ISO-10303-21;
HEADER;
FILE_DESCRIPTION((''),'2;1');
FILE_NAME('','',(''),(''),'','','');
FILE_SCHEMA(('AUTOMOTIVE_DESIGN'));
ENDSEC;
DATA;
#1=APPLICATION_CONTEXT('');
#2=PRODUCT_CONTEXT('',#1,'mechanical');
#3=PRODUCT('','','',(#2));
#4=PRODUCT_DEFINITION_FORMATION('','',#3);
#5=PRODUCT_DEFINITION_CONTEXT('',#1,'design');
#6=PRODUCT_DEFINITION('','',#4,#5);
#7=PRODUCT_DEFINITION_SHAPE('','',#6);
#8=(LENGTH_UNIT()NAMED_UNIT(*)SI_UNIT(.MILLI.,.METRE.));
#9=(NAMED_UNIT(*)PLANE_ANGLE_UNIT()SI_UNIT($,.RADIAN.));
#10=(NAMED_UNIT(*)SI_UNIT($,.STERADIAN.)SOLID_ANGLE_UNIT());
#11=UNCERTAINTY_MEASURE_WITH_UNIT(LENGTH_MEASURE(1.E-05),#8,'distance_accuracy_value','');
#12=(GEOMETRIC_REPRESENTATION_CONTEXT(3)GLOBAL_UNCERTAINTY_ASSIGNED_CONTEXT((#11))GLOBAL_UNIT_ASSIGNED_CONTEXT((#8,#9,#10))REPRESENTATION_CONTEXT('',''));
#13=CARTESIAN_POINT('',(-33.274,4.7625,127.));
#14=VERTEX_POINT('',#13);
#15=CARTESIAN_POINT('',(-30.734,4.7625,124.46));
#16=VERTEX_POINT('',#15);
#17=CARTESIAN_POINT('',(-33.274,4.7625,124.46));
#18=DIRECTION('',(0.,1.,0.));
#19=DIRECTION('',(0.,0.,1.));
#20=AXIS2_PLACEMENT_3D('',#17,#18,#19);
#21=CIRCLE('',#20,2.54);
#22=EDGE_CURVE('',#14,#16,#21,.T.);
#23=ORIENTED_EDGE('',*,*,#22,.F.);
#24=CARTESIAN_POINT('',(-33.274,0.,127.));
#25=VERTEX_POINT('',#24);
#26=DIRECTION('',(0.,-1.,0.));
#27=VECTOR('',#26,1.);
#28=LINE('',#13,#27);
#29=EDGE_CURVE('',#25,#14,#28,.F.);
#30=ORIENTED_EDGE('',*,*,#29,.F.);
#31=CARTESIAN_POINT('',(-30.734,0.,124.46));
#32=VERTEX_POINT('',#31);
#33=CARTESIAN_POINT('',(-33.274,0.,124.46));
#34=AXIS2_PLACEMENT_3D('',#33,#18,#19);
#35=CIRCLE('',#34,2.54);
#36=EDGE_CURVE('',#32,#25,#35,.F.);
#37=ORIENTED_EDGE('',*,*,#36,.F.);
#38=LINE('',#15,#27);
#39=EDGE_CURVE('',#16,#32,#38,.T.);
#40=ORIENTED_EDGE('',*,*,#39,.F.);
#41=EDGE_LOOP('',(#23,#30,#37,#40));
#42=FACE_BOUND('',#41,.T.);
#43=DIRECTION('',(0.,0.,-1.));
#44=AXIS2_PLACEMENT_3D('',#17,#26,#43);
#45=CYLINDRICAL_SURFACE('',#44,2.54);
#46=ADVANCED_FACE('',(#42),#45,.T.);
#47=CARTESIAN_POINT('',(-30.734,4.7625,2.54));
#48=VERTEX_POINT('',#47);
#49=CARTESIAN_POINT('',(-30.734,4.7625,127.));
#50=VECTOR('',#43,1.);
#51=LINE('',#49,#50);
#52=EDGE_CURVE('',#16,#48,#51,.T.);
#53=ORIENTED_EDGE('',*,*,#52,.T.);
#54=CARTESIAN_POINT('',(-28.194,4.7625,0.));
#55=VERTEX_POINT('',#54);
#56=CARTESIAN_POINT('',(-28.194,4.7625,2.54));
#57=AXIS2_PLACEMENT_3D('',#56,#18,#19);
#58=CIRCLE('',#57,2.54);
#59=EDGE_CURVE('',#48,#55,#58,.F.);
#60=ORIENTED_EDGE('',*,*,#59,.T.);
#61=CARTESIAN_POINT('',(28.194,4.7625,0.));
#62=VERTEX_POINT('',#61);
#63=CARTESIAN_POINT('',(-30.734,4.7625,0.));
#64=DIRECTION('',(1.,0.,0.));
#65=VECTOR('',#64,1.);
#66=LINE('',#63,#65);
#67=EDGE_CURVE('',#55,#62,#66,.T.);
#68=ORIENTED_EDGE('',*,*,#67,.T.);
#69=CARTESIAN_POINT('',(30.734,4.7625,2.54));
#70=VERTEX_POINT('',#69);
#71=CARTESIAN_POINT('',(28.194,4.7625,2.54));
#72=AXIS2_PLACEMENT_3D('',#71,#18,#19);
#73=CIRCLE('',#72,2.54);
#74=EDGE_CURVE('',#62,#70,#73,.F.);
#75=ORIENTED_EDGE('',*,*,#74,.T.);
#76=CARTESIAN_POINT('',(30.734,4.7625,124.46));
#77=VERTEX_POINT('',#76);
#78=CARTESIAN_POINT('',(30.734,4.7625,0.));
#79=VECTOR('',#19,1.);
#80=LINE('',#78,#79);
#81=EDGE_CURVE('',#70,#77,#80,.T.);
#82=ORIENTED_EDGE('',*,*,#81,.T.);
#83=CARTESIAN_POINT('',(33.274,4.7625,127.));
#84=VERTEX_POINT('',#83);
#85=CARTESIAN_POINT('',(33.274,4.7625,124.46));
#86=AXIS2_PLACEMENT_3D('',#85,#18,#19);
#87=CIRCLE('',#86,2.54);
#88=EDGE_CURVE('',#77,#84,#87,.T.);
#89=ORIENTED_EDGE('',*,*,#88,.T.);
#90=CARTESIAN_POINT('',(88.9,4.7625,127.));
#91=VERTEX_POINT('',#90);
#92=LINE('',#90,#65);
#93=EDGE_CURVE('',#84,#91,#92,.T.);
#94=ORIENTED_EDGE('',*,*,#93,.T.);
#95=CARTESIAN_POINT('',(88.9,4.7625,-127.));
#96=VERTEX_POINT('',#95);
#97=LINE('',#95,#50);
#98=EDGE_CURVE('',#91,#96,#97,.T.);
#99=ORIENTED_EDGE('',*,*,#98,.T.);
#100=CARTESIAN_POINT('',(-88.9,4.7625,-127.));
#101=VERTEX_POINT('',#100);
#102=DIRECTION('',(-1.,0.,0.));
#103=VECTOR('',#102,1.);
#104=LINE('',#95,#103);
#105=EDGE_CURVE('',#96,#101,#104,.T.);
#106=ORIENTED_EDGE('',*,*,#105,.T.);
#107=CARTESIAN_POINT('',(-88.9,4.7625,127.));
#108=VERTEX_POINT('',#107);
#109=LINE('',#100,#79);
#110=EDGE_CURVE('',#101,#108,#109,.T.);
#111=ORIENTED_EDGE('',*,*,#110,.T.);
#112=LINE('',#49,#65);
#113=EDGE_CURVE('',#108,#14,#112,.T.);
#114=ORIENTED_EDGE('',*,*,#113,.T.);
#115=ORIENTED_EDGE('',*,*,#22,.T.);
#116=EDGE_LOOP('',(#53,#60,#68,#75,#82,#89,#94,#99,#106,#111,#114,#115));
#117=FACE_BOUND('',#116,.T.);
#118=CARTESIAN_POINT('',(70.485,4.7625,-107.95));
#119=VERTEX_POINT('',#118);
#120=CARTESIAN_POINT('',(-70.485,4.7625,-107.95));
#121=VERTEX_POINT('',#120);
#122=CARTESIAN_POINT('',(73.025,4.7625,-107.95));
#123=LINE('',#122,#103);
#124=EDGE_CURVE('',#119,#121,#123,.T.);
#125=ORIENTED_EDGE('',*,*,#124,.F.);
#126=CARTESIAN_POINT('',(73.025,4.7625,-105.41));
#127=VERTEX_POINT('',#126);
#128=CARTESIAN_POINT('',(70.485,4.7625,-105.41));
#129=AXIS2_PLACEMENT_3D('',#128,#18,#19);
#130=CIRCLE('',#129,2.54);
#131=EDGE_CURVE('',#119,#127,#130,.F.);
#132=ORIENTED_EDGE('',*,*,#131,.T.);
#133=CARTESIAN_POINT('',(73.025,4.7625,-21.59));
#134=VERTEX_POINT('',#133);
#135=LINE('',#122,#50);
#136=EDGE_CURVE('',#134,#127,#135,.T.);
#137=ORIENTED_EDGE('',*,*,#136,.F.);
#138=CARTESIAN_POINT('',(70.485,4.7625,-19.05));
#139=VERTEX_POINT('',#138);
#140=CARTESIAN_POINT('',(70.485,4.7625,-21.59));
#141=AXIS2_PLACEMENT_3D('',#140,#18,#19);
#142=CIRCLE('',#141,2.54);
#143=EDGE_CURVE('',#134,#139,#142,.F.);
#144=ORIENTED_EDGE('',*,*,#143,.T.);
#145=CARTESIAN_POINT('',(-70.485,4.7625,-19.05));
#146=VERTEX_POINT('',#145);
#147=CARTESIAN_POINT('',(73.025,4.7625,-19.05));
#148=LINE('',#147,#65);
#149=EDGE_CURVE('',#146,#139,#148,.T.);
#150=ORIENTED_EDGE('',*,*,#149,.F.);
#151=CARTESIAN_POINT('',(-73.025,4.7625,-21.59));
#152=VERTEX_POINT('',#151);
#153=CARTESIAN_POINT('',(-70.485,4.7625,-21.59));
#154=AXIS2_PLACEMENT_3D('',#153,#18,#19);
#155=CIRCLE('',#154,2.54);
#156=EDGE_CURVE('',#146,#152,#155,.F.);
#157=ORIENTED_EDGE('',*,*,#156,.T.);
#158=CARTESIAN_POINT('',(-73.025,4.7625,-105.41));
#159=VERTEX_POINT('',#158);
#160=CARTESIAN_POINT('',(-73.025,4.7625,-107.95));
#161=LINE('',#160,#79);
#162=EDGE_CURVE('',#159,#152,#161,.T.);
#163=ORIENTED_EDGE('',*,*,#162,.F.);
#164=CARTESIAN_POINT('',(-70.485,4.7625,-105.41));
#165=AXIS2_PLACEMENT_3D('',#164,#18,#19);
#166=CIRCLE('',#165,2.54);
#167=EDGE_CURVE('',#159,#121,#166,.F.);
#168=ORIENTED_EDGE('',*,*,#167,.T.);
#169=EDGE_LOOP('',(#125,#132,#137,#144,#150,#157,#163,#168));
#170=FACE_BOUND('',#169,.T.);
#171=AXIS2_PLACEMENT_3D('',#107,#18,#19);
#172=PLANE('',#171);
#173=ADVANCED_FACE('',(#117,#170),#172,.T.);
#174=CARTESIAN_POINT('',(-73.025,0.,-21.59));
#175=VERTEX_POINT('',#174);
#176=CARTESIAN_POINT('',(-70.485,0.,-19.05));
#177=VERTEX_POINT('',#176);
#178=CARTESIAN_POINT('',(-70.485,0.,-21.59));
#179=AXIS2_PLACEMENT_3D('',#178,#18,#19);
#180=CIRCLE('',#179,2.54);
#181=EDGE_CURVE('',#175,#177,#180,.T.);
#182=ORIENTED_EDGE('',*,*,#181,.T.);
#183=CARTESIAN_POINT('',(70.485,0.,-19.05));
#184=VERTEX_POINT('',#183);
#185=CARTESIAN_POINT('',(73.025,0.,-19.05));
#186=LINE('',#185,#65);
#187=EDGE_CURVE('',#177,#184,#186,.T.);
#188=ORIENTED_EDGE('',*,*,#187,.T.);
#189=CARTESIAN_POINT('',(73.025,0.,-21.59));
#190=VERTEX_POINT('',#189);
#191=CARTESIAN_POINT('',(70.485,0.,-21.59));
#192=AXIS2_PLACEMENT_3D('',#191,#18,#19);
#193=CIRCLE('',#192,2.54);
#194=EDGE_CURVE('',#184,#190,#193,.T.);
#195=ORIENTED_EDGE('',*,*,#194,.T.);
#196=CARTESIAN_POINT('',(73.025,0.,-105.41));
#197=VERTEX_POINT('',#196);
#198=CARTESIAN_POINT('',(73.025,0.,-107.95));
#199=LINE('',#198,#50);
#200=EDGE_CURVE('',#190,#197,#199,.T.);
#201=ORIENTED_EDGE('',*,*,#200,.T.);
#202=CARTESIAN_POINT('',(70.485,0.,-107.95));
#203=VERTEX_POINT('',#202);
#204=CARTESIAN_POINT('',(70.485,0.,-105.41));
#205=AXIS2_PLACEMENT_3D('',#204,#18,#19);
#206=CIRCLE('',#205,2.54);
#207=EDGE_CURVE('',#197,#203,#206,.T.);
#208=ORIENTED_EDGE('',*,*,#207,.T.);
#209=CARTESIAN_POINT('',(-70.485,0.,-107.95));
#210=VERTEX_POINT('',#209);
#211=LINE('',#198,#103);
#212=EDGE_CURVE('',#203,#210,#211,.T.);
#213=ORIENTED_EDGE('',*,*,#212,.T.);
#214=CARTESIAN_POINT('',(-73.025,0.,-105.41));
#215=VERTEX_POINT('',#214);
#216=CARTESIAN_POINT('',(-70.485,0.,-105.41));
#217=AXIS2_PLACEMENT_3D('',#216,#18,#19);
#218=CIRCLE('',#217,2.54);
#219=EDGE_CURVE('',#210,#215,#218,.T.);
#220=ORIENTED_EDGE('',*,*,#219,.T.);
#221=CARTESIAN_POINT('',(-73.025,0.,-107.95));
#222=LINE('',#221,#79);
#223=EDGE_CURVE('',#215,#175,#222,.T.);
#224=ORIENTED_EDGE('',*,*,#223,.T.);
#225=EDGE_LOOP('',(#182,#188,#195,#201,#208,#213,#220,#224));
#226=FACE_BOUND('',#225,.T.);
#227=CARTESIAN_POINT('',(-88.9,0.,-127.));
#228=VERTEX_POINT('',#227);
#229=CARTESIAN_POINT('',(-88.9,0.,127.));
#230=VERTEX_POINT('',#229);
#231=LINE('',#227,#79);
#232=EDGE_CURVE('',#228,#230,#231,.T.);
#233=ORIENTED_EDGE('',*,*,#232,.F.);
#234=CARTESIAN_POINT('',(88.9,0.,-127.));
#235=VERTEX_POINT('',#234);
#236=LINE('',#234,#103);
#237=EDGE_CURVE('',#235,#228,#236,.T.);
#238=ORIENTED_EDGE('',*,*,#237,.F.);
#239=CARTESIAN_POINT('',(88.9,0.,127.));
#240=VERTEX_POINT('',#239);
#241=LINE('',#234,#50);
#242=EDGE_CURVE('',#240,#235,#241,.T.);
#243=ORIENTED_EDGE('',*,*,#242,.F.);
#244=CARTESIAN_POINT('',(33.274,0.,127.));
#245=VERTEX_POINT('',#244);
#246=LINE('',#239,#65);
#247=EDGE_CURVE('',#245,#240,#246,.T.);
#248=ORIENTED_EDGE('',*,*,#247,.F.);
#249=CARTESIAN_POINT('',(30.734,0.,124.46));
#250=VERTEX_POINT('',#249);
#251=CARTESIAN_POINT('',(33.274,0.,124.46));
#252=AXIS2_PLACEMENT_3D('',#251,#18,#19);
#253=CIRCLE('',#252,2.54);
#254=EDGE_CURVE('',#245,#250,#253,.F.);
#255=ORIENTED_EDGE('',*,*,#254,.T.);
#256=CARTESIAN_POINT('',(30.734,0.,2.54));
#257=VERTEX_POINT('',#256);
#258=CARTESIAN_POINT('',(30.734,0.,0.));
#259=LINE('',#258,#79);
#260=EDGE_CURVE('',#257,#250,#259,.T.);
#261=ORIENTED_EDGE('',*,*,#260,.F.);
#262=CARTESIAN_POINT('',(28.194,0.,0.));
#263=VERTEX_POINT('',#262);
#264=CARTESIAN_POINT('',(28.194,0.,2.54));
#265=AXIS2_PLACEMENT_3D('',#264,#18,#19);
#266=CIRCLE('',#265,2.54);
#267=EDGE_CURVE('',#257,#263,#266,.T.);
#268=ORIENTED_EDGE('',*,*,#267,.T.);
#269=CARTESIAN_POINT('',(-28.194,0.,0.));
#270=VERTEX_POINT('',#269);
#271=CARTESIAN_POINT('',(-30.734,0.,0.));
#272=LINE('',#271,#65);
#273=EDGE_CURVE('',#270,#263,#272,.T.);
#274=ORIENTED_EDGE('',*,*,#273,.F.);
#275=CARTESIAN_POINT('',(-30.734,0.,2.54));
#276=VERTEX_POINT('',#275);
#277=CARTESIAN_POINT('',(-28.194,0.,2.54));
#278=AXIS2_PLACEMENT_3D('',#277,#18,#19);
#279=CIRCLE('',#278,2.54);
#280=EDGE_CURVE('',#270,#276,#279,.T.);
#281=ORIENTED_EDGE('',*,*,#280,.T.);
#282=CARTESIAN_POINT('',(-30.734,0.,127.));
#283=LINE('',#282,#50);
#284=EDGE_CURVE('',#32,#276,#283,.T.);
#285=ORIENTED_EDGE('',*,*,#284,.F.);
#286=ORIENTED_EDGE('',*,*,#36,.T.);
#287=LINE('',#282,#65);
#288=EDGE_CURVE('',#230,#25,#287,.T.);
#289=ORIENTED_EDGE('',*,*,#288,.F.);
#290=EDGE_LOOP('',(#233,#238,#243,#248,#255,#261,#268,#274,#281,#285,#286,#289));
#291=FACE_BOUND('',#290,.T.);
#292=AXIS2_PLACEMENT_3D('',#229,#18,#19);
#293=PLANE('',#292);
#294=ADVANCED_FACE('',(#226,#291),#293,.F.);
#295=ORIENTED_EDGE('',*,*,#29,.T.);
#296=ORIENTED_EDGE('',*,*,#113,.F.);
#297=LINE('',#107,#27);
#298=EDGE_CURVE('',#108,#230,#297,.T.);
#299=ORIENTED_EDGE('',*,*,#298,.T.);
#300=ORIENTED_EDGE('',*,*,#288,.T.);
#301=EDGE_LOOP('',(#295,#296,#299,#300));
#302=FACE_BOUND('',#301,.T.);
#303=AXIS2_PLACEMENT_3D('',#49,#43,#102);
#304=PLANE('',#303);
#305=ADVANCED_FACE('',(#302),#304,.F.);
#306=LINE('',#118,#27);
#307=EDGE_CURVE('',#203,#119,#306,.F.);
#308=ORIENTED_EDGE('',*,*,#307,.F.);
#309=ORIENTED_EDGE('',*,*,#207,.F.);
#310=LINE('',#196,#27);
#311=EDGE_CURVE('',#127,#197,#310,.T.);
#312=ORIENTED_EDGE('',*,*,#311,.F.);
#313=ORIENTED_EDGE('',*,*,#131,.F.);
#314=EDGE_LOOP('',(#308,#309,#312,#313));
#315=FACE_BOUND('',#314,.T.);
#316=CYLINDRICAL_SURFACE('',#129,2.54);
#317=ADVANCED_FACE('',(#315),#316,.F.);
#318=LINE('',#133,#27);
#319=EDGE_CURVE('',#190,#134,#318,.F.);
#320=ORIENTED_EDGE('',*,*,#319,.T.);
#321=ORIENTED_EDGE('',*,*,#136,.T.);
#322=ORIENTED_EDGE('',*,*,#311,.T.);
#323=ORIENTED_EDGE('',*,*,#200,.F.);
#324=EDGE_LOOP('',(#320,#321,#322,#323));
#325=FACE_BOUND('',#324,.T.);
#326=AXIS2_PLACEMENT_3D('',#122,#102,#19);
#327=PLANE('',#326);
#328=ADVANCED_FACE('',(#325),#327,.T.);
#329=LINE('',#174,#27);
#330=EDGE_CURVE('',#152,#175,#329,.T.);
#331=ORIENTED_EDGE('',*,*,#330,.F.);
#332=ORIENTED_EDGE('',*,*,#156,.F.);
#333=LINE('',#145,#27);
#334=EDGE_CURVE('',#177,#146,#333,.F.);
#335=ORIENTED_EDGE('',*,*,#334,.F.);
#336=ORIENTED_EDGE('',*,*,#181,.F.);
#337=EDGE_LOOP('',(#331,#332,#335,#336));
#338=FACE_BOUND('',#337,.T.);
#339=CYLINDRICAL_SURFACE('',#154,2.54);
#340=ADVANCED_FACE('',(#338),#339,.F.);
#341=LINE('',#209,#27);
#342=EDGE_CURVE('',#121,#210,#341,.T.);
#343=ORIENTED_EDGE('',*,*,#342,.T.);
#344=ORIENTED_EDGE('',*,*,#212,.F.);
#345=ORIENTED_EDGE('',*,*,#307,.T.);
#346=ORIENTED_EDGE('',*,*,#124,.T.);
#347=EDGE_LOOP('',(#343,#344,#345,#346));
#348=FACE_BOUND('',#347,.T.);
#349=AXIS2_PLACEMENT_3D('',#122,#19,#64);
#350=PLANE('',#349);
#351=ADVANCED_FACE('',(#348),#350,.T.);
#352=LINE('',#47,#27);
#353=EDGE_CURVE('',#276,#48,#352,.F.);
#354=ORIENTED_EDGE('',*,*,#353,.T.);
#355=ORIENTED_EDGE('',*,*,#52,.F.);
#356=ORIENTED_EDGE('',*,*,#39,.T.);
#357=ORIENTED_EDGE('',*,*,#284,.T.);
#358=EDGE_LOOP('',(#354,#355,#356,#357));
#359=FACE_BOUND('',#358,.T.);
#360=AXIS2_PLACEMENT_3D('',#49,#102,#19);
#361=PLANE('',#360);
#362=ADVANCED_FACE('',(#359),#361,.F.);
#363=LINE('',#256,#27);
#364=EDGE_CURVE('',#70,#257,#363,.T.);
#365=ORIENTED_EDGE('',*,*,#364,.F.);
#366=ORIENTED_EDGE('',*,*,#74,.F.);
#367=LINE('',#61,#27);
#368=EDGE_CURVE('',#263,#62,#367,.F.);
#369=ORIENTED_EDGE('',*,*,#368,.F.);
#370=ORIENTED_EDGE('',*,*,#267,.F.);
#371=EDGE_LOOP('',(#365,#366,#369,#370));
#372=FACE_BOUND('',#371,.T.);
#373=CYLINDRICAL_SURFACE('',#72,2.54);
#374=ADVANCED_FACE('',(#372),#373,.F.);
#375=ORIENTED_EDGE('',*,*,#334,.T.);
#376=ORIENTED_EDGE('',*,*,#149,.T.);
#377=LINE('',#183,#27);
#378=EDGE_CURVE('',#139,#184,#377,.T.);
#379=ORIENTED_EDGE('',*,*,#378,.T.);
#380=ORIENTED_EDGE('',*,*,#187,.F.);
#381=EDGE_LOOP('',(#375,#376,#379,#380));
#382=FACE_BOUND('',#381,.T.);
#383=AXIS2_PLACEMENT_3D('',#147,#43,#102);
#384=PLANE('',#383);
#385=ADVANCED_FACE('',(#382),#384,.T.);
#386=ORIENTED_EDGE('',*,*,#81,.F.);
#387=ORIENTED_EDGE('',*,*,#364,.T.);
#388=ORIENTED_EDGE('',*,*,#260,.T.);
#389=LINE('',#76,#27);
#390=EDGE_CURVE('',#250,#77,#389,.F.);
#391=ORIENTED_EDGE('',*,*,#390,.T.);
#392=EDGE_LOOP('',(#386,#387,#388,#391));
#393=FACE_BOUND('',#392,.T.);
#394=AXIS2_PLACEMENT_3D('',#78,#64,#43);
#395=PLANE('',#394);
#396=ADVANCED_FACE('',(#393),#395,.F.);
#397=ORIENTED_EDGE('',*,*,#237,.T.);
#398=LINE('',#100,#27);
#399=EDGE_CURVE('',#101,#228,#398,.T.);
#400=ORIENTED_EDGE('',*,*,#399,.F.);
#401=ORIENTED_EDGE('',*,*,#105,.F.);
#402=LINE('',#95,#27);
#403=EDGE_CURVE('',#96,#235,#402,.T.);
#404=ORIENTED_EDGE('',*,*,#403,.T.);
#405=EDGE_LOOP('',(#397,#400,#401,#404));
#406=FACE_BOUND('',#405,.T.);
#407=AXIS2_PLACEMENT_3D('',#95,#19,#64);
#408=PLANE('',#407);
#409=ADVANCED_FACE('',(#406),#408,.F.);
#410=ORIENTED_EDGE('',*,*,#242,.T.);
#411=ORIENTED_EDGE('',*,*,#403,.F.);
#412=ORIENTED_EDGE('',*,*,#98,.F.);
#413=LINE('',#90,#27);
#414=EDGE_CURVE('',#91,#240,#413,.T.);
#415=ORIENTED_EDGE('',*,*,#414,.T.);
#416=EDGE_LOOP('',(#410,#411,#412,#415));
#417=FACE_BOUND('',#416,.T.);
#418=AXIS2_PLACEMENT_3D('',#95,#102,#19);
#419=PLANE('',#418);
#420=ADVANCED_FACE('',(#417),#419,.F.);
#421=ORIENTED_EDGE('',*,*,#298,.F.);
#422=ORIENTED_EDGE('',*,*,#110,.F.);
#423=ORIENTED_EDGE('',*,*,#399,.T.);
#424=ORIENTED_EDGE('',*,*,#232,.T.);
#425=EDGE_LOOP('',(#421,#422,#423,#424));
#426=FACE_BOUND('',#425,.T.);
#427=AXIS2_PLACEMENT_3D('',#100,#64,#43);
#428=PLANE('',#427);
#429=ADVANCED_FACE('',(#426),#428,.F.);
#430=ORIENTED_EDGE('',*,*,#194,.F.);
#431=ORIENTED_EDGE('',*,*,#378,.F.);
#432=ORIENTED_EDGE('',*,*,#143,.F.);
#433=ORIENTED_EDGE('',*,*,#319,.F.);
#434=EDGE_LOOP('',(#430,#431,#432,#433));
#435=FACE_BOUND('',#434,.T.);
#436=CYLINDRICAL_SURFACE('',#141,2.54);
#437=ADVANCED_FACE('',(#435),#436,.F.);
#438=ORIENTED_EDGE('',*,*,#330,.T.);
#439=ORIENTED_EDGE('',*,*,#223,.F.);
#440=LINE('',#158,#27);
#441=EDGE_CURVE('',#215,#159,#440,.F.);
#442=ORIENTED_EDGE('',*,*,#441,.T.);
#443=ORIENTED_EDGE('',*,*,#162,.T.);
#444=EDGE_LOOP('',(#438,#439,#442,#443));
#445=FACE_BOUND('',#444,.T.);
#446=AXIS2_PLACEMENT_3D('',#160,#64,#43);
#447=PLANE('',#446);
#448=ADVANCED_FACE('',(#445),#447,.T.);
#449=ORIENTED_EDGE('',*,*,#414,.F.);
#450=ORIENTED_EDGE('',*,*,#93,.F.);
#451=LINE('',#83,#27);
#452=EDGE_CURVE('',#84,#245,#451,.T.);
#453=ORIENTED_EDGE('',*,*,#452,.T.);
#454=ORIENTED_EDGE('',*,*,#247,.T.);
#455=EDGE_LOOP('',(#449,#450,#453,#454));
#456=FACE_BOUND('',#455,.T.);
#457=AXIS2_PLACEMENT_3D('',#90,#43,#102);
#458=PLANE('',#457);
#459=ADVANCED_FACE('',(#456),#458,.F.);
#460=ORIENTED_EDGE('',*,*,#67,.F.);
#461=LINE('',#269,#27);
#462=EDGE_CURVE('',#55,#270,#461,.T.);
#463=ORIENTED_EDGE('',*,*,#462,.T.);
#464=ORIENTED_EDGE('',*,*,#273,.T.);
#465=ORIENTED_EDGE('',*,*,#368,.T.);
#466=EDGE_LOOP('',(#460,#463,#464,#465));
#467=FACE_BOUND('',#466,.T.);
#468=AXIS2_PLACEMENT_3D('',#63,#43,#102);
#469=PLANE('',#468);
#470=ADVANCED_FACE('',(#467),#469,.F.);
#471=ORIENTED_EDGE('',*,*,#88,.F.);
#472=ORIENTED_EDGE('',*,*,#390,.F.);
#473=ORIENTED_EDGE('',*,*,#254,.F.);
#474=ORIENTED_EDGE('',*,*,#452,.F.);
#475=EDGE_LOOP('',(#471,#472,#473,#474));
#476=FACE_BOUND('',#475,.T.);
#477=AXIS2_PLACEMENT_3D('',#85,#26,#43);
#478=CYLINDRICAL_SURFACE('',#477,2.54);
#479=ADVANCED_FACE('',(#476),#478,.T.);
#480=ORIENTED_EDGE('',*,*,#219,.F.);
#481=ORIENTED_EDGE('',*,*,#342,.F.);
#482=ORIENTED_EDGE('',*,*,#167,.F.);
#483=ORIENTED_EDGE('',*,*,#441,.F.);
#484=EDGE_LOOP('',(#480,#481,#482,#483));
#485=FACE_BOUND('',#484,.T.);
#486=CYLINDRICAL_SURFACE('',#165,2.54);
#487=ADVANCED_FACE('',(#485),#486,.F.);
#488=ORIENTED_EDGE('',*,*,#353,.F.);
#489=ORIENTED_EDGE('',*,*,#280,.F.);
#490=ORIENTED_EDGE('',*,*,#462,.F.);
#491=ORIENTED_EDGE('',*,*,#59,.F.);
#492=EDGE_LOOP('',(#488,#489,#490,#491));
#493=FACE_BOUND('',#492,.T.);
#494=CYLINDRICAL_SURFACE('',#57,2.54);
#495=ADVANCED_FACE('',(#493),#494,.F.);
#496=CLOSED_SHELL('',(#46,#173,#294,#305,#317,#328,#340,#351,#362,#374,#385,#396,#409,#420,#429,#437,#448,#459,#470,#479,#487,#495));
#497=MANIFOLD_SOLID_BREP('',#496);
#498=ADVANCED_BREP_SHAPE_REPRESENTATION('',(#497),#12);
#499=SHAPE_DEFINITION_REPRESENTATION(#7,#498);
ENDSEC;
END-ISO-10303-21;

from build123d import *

# Parameters (mm, degrees)
SKETCH1_W           = 146.05
SKETCH1_H           = 88.9
BOSS_EXTRUDE1_DEPTH = 4.7625
FILLET1_R           = 2.54


with BuildPart() as part:
    # Sketch1 → Boss-Extrude1 (new body)
    with BuildSketch(Plane(origin=(0, 0, 0), x_dir=(1, 0, 0), z_dir=(0, 1, 0))):
        Polygon((-30.734, -127), (-30.734, 0), (30.734, 0), (30.734, -127), (88.9, -127), (88.9, 127), (-88.9, 127), (-88.9, -127), align=None)
        with Locations((0, 63.5)):
            Rectangle(SKETCH1_W, SKETCH1_H, mode=Mode.SUBTRACT)
    extrude(amount=BOSS_EXTRUDE1_DEPTH)

    # Fillet1
    fillet1_edges = [part.edges().sort_by_distance(p)[0] for p in [
        (30.734, 2.38125, 127),
        (30.734, 2.38125, 0),
        (-30.734, 2.38125, 0),
        (-30.734, 2.38125, 127),
        (-73.025, 2.38125, -107.95),
        (-73.025, 2.38125, -19.05),
        (73.025, 2.38125, -19.05),
        (73.025, 2.38125, -107.95),
    ]]
    fillet(fillet1_edges, radius=FILLET1_R)


solid = part.part
